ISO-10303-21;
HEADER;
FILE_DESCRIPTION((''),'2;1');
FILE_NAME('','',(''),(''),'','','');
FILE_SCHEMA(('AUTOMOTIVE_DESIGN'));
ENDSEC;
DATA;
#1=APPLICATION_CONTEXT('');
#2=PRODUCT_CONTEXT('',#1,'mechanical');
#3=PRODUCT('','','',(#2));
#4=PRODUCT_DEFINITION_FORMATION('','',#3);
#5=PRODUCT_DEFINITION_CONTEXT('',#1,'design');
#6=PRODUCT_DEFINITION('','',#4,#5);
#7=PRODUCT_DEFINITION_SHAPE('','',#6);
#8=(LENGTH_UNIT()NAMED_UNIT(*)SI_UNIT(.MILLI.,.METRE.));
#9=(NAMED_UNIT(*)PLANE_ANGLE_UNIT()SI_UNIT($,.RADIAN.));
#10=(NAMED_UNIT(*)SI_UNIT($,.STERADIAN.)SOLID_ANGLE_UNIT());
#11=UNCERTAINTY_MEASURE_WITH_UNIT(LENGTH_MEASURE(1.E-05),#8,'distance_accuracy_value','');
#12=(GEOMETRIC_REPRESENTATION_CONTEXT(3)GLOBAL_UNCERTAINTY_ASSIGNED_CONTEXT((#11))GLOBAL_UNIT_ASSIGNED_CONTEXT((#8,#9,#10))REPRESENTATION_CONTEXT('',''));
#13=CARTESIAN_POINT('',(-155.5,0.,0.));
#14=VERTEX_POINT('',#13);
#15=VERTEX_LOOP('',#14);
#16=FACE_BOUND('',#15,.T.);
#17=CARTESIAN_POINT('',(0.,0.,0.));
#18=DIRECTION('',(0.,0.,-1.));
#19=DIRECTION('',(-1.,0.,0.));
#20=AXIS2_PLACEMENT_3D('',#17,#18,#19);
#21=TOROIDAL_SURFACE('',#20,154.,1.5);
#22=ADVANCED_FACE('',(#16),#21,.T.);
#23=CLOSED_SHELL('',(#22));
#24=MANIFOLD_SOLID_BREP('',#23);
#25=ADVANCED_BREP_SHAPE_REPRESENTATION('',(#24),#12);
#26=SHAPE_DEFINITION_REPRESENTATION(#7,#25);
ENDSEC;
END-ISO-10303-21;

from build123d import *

# Parameters (mm, degrees)
SKETCH2_R = 1.5


with BuildPart() as part:
    # Sweep1: sweep along a path in Sketch1
    with BuildLine(Plane.XY) as sweep1_path:
        CenterArc((0, 0), 154, 0, 360)
    # Sketch2 → Sweep1 (sweep)
    with BuildSketch(Plane(origin=(0, 0, 0), x_dir=(1, 0, 0), z_dir=(0, 1, 0))):
        with Locations((154, 0)):
            Circle(SKETCH2_R)
    sweep(path=sweep1_path.line)


solid = part.part
